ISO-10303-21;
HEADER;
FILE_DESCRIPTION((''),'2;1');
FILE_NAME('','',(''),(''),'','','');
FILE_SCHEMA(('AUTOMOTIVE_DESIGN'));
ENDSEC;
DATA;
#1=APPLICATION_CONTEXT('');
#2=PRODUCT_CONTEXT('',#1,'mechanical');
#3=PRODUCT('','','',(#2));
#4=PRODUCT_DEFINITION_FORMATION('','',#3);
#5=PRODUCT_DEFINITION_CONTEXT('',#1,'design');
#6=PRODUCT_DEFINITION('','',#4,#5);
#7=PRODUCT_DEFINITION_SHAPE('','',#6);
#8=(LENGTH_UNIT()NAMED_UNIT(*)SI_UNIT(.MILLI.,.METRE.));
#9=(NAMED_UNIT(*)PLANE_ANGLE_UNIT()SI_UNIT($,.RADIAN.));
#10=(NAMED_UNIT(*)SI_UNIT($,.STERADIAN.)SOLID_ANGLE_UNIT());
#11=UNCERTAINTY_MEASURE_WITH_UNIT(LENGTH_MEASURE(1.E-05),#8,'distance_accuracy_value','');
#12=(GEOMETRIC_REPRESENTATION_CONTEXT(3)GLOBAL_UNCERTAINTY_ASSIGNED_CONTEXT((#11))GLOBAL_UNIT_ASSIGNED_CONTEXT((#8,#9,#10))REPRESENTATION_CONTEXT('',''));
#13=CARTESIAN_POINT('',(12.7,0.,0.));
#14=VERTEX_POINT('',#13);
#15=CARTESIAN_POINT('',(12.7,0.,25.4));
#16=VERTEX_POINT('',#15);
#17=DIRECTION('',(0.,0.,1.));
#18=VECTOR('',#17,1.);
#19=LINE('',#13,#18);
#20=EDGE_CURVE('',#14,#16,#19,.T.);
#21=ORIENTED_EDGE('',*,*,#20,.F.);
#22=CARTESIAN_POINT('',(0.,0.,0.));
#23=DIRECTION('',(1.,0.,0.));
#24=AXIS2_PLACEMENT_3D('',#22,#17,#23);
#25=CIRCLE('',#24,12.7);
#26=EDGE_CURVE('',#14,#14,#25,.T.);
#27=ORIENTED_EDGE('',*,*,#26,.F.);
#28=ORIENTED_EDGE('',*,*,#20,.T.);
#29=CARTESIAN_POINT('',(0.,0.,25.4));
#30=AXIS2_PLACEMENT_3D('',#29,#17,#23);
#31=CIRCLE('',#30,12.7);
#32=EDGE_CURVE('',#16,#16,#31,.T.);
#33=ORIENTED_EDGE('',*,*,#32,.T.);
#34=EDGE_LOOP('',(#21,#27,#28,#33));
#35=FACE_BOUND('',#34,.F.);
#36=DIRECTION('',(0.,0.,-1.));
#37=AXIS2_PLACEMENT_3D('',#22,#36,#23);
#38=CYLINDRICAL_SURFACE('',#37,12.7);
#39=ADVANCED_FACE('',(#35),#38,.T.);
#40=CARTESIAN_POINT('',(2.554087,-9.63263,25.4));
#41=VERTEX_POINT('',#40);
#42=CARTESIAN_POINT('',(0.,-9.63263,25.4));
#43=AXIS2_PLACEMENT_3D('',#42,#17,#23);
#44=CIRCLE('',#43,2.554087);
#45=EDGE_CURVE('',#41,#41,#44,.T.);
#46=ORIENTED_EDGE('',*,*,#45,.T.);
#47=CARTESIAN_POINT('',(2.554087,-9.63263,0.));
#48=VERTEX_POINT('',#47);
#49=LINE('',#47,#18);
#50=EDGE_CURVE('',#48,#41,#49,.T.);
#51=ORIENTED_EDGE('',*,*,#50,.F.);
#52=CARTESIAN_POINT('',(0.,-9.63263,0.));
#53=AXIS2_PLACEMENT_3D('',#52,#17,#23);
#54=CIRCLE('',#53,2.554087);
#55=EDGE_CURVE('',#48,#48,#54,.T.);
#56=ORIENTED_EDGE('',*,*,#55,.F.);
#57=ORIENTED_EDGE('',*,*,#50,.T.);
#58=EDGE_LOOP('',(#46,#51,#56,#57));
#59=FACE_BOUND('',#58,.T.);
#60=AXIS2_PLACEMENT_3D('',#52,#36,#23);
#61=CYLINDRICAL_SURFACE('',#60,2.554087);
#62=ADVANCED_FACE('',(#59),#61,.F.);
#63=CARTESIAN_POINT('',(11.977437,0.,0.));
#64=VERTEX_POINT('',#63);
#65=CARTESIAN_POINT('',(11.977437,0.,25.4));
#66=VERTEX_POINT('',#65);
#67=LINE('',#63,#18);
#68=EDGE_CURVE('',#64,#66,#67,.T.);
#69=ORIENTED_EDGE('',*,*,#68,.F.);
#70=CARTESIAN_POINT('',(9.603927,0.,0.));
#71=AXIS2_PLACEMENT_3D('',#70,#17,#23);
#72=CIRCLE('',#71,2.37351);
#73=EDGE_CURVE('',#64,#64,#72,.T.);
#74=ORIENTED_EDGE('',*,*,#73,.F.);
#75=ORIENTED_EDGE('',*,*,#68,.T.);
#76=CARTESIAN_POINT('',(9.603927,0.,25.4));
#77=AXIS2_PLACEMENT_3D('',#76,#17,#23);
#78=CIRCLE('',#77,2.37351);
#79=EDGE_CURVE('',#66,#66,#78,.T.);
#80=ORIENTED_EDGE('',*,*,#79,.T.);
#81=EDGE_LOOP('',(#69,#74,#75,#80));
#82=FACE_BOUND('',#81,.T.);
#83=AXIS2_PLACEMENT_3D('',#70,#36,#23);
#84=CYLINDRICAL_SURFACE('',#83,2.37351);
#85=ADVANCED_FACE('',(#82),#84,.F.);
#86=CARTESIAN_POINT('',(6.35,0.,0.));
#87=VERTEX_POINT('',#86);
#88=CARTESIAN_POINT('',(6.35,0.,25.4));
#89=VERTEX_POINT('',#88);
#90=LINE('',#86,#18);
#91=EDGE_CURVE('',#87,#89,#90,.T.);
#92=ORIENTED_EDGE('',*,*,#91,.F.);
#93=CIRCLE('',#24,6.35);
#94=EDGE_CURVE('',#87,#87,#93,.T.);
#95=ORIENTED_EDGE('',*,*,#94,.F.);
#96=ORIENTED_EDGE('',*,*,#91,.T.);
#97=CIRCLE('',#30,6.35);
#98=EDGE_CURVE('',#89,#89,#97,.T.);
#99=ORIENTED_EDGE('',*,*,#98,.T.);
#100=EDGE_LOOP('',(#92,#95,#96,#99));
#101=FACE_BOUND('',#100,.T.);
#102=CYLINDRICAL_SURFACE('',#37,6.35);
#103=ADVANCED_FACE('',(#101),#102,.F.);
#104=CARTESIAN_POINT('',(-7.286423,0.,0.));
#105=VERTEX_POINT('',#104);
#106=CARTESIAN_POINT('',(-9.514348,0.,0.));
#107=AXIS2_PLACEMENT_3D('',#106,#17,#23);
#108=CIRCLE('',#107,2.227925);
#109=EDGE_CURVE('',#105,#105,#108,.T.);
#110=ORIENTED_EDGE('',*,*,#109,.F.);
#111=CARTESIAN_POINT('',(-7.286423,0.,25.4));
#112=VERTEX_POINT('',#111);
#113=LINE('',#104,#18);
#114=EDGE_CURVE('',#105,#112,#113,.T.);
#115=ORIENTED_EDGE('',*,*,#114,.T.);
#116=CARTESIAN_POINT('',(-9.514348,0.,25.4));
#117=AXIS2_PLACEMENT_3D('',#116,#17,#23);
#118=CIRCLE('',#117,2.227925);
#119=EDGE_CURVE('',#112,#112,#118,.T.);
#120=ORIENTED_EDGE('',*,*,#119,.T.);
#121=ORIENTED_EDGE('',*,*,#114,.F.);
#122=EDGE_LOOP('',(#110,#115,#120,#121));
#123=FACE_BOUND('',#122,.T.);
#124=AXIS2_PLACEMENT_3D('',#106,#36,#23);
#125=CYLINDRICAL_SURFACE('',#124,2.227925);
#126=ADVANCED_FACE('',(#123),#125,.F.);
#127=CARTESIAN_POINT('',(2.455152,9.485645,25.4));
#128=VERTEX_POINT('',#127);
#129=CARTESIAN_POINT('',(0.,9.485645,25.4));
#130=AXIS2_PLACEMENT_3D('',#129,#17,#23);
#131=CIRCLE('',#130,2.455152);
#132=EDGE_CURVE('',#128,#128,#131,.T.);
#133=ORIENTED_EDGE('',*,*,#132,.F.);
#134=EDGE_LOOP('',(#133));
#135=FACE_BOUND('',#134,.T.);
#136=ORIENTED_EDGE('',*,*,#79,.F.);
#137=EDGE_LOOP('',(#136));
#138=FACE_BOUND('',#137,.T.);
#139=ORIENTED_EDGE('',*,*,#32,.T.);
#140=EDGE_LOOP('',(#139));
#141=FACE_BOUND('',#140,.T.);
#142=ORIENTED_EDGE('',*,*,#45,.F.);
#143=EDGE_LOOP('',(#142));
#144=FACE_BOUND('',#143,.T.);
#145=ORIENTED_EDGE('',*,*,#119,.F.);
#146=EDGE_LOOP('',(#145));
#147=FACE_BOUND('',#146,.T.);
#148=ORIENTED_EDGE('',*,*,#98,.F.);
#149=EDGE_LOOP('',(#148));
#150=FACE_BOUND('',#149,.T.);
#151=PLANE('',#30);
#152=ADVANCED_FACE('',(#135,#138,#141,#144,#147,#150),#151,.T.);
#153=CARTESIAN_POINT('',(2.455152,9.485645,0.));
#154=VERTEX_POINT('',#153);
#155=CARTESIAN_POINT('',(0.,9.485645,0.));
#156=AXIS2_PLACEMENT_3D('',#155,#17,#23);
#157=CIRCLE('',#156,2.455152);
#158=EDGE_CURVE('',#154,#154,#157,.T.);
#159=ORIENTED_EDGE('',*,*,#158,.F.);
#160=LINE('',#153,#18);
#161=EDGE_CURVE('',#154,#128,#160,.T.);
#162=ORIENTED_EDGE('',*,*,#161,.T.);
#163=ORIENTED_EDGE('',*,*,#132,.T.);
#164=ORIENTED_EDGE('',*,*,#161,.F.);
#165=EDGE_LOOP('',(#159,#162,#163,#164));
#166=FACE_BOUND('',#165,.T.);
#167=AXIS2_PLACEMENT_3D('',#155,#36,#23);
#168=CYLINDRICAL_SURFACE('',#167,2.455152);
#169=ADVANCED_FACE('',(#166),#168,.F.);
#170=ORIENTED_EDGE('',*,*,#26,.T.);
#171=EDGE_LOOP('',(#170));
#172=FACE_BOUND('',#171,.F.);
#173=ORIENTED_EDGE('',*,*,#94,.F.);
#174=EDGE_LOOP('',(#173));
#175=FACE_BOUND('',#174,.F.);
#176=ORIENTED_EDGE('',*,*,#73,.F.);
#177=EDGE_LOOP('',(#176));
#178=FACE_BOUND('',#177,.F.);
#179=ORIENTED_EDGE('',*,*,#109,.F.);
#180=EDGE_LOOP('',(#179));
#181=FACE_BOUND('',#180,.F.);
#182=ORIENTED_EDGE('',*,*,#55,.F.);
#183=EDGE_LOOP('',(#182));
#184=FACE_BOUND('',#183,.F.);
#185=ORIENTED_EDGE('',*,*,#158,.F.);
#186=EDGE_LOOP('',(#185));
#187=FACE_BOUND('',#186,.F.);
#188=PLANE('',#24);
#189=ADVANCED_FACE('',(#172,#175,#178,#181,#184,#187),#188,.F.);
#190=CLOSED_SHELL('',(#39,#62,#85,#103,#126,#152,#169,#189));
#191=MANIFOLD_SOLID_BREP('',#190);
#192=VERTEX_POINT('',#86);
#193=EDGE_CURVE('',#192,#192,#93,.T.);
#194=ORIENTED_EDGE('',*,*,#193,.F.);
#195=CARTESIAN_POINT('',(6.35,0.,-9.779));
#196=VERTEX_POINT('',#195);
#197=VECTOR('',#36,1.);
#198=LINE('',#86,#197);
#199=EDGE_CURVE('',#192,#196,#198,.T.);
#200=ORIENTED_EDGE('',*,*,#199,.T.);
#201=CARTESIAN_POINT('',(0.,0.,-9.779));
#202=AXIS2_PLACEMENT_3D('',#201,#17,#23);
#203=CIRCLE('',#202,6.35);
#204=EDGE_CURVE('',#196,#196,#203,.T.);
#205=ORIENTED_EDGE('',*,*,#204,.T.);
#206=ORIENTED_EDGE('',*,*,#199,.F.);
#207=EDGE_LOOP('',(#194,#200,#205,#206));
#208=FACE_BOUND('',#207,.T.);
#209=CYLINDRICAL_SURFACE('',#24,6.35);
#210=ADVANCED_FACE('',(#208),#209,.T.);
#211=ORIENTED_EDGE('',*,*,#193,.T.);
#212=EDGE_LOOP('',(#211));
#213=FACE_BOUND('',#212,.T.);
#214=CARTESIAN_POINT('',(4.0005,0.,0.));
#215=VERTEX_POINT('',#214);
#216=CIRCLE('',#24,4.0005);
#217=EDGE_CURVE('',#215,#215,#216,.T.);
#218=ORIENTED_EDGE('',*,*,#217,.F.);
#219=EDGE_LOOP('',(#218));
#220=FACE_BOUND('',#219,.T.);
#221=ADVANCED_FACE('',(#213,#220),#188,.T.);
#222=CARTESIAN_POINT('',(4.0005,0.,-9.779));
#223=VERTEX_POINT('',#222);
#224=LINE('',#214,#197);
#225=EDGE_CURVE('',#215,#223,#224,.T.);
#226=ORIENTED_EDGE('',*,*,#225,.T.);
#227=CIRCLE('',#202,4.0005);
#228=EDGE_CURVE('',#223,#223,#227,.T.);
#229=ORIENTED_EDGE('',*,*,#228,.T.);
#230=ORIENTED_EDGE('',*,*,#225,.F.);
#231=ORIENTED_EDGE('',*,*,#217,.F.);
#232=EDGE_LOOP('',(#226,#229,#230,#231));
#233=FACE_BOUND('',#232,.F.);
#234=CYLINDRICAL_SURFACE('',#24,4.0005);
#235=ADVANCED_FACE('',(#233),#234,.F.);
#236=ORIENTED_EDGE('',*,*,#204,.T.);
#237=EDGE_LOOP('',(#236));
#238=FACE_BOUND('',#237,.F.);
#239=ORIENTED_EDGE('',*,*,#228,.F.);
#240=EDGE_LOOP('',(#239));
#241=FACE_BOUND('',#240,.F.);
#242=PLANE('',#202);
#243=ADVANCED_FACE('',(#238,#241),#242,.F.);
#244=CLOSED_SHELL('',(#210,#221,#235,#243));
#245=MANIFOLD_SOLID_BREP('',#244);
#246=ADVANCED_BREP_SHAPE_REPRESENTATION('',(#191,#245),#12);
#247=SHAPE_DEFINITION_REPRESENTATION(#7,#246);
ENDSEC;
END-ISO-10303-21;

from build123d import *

# Parameters (mm, degrees)
F0_R     = 6.35
F0_R_2   = 4.0005
F1_DEPTH = 9.779
F0_R_3   = 12.7
F0_R_4   = 2.554087
F0_R_5   = 2.227925
F0_R_6   = 2.37351
F0_R_7   = 2.455152
F2_DEPTH = 25.4


with BuildPart() as f1:
    # F0 (on Top) → F1 (new body)
    with BuildSketch(Plane.XY):
        Circle(F0_R)
        Circle(F0_R_2, mode=Mode.SUBTRACT)
    extrude(amount=-F1_DEPTH)

    # F0 (on Top) → F2 (join)
    with BuildSketch(Plane.XY):
        Circle(F0_R_3)
        with Locations((0, -9.63263)):
            Circle(F0_R_4, mode=Mode.SUBTRACT)
        with Locations((-9.514348, 0)):
            Circle(F0_R_5, mode=Mode.SUBTRACT)
        Circle(F0_R, mode=Mode.SUBTRACT)
        with Locations((9.603927, 0)):
            Circle(F0_R_6, mode=Mode.SUBTRACT)
        with Locations((0, 9.485645)):
            Circle(F0_R_7, mode=Mode.SUBTRACT)
    extrude(amount=F2_DEPTH)


solid = f1.part
